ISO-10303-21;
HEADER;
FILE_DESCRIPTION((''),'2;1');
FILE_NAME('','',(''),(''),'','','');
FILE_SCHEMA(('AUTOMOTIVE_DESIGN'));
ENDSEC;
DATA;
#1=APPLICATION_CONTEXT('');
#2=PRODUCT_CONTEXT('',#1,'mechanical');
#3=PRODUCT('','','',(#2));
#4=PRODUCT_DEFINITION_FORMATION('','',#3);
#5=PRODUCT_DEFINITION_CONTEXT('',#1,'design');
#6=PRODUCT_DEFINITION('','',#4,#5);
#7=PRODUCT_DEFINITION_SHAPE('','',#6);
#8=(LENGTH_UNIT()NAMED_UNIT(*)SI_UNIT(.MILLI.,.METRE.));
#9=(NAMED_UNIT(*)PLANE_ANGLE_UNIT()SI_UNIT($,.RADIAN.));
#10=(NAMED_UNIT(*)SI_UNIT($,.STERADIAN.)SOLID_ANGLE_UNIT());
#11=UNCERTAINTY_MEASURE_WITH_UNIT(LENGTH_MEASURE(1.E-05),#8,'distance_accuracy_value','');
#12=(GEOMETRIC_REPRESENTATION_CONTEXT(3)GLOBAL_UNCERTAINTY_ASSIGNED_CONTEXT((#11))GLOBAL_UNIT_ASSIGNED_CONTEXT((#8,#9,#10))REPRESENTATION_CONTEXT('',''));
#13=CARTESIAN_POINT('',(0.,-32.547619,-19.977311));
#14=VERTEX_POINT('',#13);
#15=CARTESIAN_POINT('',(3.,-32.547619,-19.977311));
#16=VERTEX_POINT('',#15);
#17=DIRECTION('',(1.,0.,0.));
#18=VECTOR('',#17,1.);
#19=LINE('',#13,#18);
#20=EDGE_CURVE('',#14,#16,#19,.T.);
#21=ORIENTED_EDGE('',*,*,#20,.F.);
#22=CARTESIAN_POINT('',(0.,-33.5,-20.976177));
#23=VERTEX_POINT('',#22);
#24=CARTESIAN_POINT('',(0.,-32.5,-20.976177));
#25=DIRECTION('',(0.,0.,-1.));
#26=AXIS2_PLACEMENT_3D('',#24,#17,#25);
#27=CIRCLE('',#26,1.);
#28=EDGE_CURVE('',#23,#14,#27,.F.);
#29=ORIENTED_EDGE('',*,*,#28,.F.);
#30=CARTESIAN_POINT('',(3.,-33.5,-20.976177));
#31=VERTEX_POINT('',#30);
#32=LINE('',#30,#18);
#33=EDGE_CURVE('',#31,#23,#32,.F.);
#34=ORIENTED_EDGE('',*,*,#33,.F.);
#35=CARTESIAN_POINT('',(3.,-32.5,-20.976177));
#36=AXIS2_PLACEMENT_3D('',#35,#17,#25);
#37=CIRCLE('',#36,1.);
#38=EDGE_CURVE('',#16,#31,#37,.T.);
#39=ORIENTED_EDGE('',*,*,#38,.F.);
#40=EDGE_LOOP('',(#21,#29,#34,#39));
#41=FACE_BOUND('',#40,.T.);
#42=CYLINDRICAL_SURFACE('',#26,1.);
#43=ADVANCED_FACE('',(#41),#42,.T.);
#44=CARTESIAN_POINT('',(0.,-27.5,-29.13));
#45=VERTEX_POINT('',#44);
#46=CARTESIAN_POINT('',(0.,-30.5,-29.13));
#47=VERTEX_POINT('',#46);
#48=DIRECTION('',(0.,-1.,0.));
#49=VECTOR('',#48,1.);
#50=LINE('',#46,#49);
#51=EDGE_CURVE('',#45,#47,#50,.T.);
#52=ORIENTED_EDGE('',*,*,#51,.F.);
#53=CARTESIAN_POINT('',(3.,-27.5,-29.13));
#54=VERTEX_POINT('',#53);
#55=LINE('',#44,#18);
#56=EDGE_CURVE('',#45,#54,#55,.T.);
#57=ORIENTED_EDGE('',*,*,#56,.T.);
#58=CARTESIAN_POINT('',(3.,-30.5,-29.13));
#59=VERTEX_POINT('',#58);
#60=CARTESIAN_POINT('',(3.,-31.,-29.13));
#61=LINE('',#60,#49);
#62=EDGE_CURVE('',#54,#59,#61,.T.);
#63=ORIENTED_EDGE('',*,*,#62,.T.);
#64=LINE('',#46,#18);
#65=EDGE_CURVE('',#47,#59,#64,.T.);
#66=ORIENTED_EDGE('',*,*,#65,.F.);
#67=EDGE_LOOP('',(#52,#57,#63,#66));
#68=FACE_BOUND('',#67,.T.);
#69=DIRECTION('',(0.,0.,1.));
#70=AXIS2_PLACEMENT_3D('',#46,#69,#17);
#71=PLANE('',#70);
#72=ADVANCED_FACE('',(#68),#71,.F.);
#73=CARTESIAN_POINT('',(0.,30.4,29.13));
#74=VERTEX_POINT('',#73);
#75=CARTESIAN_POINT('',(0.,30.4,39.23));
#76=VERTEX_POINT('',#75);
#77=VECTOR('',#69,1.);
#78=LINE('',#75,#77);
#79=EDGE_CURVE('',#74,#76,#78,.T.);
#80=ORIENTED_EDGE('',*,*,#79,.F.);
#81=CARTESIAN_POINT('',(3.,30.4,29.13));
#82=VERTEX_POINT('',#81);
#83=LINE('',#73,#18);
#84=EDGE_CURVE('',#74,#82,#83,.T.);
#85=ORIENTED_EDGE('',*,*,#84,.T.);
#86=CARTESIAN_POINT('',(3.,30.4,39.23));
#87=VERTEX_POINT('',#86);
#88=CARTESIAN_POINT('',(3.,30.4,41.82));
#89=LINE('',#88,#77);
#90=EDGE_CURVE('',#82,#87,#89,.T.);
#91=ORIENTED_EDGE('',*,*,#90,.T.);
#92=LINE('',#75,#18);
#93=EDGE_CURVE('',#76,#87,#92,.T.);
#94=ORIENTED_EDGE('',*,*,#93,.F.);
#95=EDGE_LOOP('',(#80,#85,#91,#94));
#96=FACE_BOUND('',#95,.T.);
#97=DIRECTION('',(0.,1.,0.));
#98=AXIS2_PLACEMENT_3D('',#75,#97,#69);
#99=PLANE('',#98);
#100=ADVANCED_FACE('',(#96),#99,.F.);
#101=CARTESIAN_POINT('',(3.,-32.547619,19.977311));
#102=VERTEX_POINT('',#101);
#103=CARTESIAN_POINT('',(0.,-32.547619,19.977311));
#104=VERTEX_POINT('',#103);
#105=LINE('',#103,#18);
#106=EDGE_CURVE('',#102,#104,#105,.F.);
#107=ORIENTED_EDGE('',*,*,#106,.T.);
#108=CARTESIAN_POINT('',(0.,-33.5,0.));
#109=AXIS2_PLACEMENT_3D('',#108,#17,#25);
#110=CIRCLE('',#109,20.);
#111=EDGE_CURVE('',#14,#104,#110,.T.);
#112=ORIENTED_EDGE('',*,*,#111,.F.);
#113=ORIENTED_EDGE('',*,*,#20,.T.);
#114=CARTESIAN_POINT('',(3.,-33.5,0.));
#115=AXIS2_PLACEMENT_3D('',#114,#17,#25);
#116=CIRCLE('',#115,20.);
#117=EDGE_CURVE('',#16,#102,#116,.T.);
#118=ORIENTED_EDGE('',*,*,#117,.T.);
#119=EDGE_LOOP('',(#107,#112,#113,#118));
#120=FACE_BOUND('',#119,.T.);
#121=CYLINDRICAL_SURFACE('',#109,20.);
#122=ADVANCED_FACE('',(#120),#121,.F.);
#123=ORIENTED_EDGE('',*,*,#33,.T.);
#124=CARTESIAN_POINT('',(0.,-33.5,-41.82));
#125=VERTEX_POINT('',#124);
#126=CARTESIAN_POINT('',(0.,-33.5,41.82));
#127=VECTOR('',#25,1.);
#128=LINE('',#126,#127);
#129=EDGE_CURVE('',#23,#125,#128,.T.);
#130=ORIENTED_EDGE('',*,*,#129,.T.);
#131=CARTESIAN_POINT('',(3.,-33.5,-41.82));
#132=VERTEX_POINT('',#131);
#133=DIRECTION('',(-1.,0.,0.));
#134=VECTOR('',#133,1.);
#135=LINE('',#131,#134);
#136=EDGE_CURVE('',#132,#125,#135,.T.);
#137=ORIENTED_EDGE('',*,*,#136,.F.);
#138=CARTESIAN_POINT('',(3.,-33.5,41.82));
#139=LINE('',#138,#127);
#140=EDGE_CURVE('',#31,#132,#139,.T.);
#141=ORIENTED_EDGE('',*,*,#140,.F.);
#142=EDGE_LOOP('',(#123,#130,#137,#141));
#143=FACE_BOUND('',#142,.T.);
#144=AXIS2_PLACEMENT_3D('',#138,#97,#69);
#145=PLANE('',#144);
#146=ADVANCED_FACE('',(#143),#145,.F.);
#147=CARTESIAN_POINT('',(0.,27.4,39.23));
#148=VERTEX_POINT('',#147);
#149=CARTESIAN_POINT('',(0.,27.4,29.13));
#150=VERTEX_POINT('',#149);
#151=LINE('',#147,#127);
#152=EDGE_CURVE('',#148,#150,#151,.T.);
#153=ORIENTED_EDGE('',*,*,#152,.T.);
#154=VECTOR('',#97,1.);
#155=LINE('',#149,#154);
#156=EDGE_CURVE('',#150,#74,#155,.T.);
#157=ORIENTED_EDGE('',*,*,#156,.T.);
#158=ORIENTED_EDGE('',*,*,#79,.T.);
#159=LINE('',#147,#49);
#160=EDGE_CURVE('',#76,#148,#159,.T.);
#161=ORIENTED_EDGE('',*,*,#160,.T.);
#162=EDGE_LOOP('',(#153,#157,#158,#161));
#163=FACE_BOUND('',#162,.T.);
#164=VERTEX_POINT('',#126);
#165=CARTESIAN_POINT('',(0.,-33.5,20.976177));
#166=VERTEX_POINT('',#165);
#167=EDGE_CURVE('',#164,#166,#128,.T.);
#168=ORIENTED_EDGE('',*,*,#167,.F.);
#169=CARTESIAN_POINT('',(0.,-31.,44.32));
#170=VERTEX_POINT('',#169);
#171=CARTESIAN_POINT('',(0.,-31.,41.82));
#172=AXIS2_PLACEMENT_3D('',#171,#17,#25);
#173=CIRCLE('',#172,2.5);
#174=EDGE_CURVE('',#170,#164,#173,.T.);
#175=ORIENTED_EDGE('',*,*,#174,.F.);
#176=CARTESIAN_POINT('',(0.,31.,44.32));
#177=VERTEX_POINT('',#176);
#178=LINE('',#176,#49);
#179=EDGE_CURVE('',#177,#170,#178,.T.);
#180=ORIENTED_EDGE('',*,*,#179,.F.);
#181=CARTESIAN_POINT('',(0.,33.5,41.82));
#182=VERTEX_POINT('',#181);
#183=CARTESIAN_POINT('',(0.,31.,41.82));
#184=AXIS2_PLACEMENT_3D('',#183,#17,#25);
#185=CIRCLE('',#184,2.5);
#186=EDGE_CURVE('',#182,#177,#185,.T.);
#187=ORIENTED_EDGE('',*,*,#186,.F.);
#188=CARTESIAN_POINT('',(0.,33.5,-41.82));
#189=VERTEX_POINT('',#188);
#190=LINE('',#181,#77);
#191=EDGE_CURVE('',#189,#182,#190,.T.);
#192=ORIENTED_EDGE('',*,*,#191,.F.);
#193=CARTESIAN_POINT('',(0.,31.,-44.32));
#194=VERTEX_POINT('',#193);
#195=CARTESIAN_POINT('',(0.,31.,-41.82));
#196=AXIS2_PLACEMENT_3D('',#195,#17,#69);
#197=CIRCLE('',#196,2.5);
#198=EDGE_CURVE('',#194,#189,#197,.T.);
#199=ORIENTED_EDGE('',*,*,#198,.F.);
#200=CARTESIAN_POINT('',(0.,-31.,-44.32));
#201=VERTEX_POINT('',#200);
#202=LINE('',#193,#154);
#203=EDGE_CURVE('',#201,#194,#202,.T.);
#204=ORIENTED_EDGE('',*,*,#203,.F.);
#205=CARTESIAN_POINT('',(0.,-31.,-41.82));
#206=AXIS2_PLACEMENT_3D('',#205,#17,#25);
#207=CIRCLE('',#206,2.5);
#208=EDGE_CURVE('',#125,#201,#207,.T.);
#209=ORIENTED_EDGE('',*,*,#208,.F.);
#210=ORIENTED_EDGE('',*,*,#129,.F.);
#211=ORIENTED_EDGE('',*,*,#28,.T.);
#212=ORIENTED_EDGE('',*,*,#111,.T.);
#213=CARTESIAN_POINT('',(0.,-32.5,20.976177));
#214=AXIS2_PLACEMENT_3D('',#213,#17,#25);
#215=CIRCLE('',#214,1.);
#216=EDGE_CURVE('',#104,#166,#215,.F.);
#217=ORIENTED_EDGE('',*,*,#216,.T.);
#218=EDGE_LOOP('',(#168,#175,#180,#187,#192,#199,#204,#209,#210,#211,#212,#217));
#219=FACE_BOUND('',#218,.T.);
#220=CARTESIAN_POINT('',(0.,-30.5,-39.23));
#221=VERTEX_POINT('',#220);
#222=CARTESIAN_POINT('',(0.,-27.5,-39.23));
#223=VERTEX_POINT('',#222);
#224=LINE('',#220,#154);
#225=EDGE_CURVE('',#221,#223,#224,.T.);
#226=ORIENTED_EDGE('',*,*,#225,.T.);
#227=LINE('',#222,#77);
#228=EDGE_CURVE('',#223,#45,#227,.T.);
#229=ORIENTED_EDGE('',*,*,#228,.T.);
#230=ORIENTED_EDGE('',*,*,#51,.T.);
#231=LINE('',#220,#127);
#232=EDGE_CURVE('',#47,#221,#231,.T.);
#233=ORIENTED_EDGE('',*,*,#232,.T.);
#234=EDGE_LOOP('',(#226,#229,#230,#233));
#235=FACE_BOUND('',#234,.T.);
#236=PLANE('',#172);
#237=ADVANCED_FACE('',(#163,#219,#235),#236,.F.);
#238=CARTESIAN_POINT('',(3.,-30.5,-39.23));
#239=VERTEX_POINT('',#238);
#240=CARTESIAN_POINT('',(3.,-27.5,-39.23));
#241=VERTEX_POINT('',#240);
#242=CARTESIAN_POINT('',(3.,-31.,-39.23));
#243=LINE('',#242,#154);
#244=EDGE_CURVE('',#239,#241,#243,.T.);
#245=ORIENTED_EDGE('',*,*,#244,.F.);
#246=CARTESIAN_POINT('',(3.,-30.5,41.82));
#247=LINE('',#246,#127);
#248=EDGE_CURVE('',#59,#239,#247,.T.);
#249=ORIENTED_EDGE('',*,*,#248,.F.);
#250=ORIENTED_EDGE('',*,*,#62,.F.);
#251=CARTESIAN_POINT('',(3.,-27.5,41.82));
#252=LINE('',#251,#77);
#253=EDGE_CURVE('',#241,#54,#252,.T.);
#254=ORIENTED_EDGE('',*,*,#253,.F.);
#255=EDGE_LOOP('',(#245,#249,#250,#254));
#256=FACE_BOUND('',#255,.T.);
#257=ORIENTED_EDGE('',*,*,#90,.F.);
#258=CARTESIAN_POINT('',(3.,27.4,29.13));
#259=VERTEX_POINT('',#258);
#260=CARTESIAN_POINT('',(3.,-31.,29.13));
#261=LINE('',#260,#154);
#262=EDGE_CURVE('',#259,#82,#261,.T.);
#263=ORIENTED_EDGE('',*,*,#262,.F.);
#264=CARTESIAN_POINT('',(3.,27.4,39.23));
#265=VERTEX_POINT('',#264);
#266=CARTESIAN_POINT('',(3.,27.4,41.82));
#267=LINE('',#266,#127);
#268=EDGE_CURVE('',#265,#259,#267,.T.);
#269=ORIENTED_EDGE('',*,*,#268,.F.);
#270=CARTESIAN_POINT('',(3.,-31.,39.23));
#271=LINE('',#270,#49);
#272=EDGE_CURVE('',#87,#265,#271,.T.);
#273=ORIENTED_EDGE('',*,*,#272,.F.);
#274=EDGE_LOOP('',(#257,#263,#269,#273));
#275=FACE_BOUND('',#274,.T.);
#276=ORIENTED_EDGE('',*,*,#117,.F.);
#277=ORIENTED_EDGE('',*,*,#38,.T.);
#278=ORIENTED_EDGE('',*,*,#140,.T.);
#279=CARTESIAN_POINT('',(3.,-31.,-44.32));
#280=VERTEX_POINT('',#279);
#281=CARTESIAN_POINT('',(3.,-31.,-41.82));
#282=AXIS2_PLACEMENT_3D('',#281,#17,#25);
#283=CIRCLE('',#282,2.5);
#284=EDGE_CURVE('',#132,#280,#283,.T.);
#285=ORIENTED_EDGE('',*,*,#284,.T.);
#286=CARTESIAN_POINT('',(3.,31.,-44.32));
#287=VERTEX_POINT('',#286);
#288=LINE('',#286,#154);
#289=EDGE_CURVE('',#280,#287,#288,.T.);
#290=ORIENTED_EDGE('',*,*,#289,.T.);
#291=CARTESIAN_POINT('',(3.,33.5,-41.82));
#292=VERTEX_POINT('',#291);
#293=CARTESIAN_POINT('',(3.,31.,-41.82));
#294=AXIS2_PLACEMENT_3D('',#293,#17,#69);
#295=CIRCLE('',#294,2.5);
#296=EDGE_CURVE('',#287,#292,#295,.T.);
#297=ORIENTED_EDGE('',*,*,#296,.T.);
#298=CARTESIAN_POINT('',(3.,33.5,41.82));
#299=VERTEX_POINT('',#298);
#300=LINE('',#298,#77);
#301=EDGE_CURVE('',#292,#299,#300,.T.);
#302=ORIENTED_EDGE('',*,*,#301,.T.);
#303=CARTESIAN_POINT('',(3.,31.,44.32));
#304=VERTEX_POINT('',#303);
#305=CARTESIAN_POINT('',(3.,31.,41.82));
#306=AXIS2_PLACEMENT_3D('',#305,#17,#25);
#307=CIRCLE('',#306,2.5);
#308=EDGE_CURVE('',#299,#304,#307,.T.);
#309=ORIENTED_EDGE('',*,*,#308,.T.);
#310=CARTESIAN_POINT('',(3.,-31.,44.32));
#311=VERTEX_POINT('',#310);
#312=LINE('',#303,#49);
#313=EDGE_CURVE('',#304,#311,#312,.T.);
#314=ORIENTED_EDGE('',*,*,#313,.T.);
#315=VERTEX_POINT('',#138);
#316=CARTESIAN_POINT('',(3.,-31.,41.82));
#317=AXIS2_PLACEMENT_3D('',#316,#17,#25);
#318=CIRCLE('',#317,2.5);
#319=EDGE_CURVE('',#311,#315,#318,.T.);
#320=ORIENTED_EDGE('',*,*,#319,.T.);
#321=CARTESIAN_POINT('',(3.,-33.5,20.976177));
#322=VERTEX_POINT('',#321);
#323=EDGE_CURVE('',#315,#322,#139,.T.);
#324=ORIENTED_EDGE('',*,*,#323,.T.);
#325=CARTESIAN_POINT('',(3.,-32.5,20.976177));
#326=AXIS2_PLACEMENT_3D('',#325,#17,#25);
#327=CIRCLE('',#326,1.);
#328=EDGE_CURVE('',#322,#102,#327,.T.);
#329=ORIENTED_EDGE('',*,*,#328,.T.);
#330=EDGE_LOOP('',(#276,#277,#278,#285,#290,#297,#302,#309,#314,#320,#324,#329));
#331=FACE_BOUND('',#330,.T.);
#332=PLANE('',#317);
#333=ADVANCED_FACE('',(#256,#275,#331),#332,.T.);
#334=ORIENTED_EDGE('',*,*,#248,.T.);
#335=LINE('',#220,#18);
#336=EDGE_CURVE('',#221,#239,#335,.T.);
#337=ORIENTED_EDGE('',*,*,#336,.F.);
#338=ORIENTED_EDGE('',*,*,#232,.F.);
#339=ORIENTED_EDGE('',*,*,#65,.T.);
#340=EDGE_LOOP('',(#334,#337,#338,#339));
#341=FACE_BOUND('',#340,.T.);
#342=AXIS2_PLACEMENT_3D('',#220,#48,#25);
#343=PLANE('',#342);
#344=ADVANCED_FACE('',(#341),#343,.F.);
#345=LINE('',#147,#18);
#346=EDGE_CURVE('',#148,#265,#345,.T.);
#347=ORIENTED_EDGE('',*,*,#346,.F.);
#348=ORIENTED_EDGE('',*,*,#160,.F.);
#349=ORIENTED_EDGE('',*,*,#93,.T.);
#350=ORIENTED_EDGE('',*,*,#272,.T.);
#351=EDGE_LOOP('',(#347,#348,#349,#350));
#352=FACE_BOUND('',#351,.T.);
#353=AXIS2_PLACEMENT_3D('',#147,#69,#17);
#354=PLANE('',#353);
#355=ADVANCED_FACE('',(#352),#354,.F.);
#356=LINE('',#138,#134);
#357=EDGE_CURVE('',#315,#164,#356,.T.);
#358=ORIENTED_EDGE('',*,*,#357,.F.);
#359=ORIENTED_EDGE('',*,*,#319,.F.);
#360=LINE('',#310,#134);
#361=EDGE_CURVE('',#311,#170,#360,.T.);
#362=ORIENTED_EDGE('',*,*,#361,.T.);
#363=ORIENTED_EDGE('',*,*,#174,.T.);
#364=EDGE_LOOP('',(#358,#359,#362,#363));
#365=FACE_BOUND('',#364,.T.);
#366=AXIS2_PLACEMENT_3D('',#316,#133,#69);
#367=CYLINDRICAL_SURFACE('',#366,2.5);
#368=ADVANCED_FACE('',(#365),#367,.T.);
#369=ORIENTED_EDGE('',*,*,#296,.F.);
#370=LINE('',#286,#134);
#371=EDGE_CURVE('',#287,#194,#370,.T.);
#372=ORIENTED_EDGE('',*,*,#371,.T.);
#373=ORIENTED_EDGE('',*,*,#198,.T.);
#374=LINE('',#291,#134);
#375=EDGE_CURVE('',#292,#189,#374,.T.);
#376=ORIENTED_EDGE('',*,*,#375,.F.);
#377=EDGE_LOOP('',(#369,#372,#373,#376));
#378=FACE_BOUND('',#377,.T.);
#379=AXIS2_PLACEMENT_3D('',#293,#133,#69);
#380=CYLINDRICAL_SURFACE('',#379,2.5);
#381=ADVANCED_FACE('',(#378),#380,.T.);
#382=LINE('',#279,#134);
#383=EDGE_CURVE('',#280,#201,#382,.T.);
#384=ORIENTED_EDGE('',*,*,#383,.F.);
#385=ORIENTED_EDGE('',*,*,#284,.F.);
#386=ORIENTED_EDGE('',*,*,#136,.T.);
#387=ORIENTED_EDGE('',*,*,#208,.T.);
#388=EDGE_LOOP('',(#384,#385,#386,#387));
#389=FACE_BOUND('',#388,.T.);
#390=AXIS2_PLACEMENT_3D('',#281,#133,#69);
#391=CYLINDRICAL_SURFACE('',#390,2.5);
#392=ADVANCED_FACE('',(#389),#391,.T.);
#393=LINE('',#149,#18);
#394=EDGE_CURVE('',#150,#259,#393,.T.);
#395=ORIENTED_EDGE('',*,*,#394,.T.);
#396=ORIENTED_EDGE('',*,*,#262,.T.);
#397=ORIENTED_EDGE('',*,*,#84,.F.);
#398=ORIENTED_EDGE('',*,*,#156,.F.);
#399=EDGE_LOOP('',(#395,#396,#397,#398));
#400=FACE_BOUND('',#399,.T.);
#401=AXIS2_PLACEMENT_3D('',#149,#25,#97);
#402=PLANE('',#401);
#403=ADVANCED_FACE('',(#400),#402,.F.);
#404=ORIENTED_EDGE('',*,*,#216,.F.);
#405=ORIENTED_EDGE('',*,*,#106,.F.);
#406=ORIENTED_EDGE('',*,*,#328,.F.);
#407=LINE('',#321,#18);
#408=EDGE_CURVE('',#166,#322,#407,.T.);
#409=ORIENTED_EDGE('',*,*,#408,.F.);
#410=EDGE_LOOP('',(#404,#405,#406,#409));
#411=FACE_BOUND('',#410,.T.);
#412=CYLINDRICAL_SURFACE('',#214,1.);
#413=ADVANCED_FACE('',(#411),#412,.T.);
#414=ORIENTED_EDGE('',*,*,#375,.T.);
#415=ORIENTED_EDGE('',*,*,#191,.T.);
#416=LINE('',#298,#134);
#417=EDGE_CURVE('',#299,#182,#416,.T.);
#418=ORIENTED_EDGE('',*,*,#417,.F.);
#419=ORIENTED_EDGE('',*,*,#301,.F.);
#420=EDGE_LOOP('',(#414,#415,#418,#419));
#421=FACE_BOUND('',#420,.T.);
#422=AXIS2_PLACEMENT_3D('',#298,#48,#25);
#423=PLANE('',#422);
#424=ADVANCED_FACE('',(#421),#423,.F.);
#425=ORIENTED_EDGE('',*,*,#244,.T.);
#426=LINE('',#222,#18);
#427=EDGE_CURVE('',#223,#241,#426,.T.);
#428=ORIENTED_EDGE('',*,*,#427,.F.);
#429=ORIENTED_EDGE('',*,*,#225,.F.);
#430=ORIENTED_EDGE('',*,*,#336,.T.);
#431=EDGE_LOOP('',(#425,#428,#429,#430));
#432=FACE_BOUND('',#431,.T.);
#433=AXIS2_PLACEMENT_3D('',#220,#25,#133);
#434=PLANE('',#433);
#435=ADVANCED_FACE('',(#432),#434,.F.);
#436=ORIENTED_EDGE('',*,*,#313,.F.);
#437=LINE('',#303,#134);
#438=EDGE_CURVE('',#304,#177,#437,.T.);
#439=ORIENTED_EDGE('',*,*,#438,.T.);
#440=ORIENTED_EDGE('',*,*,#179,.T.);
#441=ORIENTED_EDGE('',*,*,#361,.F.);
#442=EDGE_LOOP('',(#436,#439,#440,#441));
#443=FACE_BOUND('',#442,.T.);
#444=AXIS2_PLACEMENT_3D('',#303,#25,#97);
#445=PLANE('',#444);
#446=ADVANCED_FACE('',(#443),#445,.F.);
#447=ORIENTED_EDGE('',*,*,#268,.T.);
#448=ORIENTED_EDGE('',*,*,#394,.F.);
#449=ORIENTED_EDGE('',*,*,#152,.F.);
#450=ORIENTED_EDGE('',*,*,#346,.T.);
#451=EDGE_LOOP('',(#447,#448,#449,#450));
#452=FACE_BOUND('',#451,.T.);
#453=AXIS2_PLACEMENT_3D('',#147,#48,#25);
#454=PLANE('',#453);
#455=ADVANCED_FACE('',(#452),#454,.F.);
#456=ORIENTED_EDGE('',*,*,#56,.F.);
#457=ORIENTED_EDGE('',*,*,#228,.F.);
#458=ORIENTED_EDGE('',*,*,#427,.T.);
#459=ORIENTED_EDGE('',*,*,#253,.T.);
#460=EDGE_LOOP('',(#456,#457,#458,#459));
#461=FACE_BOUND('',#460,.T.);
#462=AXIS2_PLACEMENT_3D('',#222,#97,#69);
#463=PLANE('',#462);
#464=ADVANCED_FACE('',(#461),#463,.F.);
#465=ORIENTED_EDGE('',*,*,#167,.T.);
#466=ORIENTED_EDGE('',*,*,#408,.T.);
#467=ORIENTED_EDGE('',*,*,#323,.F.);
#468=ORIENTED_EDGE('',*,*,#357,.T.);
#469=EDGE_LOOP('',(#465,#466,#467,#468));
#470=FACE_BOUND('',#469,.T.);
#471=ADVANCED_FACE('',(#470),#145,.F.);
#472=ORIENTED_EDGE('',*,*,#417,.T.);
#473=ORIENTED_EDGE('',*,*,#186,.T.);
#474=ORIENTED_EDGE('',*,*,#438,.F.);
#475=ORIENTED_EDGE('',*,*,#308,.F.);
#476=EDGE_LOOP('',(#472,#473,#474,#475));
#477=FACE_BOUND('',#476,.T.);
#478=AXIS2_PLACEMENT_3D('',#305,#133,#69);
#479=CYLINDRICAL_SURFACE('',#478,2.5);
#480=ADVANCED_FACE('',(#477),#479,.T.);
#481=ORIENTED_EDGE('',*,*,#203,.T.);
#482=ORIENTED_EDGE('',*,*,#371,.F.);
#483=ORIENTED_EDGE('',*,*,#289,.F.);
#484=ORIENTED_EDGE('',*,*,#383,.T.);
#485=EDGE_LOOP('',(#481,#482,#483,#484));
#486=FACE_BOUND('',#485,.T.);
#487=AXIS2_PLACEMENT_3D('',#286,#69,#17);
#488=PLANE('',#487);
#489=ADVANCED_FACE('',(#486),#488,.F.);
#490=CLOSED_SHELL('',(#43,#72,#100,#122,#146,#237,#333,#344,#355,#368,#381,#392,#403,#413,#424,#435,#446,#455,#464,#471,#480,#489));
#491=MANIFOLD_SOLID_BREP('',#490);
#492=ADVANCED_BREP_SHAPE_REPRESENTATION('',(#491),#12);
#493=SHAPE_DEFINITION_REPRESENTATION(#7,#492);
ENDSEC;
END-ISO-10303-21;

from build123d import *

# Parameters (mm, degrees)
SALIENTE_EXTRUIR1_DEPTH = 3
CROQUIS2_R              = 20
CROQUIS2_W              = 10.1
CROQUIS2_H              = 3
CORTAR_EXTRUIR1_DEPTH   = 3
REDONDEO1_R             = 1


with BuildPart() as part:
    # Croquis1 → Saliente-Extruir1 (new body)
    with BuildSketch(Plane(origin=(0, 0, 0), x_dir=(0, 0, -1), z_dir=(1, 0, 0))):
        with BuildLine():
            Line((-41.82, 33.5), (41.82, 33.5))
            ThreePointArc((41.82, 33.5), (43.587766953, 32.767766953), (44.32, 31))
            Line((44.32, 31), (44.32, -31))
            ThreePointArc((44.32, -31), (43.587766953, -32.767766953), (41.82, -33.5))
            Line((41.82, -33.5), (-41.82, -33.5))
            ThreePointArc((-41.82, -33.5), (-43.587766953, -32.767766953), (-44.32, -31))
            Line((-44.32, -31), (-44.32, 31))
            ThreePointArc((-44.32, 31), (-43.587766953, 32.767766953), (-41.82, 33.5))
        make_face()
    extrude(amount=SALIENTE_EXTRUIR1_DEPTH)

    # Croquis2 → Cortar-Extruir1 (cut, symmetric)
    with BuildSketch(Plane(origin=(3, 0, 0), x_dir=(0, 0, -1), z_dir=(1, 0, 0))):
        with Locations((0, -33.5)):
            Circle(CROQUIS2_R)
        with Locations((34.18, -29)):
            Rectangle(CROQUIS2_W, CROQUIS2_H)
        with Locations((-34.18, 28.9)):
            Rectangle(CROQUIS2_W, CROQUIS2_H)
    extrude(amount=CORTAR_EXTRUIR1_DEPTH, both=True, mode=Mode.SUBTRACT)

    # Redondeo1
    redondeo1_edges = [part.edges().sort_by_distance(p)[0] for p in [
        (1.5, -33.5, 20),
        (1.5, -33.5, -20),
    ]]
    fillet(redondeo1_edges, radius=REDONDEO1_R)


solid = part.part
